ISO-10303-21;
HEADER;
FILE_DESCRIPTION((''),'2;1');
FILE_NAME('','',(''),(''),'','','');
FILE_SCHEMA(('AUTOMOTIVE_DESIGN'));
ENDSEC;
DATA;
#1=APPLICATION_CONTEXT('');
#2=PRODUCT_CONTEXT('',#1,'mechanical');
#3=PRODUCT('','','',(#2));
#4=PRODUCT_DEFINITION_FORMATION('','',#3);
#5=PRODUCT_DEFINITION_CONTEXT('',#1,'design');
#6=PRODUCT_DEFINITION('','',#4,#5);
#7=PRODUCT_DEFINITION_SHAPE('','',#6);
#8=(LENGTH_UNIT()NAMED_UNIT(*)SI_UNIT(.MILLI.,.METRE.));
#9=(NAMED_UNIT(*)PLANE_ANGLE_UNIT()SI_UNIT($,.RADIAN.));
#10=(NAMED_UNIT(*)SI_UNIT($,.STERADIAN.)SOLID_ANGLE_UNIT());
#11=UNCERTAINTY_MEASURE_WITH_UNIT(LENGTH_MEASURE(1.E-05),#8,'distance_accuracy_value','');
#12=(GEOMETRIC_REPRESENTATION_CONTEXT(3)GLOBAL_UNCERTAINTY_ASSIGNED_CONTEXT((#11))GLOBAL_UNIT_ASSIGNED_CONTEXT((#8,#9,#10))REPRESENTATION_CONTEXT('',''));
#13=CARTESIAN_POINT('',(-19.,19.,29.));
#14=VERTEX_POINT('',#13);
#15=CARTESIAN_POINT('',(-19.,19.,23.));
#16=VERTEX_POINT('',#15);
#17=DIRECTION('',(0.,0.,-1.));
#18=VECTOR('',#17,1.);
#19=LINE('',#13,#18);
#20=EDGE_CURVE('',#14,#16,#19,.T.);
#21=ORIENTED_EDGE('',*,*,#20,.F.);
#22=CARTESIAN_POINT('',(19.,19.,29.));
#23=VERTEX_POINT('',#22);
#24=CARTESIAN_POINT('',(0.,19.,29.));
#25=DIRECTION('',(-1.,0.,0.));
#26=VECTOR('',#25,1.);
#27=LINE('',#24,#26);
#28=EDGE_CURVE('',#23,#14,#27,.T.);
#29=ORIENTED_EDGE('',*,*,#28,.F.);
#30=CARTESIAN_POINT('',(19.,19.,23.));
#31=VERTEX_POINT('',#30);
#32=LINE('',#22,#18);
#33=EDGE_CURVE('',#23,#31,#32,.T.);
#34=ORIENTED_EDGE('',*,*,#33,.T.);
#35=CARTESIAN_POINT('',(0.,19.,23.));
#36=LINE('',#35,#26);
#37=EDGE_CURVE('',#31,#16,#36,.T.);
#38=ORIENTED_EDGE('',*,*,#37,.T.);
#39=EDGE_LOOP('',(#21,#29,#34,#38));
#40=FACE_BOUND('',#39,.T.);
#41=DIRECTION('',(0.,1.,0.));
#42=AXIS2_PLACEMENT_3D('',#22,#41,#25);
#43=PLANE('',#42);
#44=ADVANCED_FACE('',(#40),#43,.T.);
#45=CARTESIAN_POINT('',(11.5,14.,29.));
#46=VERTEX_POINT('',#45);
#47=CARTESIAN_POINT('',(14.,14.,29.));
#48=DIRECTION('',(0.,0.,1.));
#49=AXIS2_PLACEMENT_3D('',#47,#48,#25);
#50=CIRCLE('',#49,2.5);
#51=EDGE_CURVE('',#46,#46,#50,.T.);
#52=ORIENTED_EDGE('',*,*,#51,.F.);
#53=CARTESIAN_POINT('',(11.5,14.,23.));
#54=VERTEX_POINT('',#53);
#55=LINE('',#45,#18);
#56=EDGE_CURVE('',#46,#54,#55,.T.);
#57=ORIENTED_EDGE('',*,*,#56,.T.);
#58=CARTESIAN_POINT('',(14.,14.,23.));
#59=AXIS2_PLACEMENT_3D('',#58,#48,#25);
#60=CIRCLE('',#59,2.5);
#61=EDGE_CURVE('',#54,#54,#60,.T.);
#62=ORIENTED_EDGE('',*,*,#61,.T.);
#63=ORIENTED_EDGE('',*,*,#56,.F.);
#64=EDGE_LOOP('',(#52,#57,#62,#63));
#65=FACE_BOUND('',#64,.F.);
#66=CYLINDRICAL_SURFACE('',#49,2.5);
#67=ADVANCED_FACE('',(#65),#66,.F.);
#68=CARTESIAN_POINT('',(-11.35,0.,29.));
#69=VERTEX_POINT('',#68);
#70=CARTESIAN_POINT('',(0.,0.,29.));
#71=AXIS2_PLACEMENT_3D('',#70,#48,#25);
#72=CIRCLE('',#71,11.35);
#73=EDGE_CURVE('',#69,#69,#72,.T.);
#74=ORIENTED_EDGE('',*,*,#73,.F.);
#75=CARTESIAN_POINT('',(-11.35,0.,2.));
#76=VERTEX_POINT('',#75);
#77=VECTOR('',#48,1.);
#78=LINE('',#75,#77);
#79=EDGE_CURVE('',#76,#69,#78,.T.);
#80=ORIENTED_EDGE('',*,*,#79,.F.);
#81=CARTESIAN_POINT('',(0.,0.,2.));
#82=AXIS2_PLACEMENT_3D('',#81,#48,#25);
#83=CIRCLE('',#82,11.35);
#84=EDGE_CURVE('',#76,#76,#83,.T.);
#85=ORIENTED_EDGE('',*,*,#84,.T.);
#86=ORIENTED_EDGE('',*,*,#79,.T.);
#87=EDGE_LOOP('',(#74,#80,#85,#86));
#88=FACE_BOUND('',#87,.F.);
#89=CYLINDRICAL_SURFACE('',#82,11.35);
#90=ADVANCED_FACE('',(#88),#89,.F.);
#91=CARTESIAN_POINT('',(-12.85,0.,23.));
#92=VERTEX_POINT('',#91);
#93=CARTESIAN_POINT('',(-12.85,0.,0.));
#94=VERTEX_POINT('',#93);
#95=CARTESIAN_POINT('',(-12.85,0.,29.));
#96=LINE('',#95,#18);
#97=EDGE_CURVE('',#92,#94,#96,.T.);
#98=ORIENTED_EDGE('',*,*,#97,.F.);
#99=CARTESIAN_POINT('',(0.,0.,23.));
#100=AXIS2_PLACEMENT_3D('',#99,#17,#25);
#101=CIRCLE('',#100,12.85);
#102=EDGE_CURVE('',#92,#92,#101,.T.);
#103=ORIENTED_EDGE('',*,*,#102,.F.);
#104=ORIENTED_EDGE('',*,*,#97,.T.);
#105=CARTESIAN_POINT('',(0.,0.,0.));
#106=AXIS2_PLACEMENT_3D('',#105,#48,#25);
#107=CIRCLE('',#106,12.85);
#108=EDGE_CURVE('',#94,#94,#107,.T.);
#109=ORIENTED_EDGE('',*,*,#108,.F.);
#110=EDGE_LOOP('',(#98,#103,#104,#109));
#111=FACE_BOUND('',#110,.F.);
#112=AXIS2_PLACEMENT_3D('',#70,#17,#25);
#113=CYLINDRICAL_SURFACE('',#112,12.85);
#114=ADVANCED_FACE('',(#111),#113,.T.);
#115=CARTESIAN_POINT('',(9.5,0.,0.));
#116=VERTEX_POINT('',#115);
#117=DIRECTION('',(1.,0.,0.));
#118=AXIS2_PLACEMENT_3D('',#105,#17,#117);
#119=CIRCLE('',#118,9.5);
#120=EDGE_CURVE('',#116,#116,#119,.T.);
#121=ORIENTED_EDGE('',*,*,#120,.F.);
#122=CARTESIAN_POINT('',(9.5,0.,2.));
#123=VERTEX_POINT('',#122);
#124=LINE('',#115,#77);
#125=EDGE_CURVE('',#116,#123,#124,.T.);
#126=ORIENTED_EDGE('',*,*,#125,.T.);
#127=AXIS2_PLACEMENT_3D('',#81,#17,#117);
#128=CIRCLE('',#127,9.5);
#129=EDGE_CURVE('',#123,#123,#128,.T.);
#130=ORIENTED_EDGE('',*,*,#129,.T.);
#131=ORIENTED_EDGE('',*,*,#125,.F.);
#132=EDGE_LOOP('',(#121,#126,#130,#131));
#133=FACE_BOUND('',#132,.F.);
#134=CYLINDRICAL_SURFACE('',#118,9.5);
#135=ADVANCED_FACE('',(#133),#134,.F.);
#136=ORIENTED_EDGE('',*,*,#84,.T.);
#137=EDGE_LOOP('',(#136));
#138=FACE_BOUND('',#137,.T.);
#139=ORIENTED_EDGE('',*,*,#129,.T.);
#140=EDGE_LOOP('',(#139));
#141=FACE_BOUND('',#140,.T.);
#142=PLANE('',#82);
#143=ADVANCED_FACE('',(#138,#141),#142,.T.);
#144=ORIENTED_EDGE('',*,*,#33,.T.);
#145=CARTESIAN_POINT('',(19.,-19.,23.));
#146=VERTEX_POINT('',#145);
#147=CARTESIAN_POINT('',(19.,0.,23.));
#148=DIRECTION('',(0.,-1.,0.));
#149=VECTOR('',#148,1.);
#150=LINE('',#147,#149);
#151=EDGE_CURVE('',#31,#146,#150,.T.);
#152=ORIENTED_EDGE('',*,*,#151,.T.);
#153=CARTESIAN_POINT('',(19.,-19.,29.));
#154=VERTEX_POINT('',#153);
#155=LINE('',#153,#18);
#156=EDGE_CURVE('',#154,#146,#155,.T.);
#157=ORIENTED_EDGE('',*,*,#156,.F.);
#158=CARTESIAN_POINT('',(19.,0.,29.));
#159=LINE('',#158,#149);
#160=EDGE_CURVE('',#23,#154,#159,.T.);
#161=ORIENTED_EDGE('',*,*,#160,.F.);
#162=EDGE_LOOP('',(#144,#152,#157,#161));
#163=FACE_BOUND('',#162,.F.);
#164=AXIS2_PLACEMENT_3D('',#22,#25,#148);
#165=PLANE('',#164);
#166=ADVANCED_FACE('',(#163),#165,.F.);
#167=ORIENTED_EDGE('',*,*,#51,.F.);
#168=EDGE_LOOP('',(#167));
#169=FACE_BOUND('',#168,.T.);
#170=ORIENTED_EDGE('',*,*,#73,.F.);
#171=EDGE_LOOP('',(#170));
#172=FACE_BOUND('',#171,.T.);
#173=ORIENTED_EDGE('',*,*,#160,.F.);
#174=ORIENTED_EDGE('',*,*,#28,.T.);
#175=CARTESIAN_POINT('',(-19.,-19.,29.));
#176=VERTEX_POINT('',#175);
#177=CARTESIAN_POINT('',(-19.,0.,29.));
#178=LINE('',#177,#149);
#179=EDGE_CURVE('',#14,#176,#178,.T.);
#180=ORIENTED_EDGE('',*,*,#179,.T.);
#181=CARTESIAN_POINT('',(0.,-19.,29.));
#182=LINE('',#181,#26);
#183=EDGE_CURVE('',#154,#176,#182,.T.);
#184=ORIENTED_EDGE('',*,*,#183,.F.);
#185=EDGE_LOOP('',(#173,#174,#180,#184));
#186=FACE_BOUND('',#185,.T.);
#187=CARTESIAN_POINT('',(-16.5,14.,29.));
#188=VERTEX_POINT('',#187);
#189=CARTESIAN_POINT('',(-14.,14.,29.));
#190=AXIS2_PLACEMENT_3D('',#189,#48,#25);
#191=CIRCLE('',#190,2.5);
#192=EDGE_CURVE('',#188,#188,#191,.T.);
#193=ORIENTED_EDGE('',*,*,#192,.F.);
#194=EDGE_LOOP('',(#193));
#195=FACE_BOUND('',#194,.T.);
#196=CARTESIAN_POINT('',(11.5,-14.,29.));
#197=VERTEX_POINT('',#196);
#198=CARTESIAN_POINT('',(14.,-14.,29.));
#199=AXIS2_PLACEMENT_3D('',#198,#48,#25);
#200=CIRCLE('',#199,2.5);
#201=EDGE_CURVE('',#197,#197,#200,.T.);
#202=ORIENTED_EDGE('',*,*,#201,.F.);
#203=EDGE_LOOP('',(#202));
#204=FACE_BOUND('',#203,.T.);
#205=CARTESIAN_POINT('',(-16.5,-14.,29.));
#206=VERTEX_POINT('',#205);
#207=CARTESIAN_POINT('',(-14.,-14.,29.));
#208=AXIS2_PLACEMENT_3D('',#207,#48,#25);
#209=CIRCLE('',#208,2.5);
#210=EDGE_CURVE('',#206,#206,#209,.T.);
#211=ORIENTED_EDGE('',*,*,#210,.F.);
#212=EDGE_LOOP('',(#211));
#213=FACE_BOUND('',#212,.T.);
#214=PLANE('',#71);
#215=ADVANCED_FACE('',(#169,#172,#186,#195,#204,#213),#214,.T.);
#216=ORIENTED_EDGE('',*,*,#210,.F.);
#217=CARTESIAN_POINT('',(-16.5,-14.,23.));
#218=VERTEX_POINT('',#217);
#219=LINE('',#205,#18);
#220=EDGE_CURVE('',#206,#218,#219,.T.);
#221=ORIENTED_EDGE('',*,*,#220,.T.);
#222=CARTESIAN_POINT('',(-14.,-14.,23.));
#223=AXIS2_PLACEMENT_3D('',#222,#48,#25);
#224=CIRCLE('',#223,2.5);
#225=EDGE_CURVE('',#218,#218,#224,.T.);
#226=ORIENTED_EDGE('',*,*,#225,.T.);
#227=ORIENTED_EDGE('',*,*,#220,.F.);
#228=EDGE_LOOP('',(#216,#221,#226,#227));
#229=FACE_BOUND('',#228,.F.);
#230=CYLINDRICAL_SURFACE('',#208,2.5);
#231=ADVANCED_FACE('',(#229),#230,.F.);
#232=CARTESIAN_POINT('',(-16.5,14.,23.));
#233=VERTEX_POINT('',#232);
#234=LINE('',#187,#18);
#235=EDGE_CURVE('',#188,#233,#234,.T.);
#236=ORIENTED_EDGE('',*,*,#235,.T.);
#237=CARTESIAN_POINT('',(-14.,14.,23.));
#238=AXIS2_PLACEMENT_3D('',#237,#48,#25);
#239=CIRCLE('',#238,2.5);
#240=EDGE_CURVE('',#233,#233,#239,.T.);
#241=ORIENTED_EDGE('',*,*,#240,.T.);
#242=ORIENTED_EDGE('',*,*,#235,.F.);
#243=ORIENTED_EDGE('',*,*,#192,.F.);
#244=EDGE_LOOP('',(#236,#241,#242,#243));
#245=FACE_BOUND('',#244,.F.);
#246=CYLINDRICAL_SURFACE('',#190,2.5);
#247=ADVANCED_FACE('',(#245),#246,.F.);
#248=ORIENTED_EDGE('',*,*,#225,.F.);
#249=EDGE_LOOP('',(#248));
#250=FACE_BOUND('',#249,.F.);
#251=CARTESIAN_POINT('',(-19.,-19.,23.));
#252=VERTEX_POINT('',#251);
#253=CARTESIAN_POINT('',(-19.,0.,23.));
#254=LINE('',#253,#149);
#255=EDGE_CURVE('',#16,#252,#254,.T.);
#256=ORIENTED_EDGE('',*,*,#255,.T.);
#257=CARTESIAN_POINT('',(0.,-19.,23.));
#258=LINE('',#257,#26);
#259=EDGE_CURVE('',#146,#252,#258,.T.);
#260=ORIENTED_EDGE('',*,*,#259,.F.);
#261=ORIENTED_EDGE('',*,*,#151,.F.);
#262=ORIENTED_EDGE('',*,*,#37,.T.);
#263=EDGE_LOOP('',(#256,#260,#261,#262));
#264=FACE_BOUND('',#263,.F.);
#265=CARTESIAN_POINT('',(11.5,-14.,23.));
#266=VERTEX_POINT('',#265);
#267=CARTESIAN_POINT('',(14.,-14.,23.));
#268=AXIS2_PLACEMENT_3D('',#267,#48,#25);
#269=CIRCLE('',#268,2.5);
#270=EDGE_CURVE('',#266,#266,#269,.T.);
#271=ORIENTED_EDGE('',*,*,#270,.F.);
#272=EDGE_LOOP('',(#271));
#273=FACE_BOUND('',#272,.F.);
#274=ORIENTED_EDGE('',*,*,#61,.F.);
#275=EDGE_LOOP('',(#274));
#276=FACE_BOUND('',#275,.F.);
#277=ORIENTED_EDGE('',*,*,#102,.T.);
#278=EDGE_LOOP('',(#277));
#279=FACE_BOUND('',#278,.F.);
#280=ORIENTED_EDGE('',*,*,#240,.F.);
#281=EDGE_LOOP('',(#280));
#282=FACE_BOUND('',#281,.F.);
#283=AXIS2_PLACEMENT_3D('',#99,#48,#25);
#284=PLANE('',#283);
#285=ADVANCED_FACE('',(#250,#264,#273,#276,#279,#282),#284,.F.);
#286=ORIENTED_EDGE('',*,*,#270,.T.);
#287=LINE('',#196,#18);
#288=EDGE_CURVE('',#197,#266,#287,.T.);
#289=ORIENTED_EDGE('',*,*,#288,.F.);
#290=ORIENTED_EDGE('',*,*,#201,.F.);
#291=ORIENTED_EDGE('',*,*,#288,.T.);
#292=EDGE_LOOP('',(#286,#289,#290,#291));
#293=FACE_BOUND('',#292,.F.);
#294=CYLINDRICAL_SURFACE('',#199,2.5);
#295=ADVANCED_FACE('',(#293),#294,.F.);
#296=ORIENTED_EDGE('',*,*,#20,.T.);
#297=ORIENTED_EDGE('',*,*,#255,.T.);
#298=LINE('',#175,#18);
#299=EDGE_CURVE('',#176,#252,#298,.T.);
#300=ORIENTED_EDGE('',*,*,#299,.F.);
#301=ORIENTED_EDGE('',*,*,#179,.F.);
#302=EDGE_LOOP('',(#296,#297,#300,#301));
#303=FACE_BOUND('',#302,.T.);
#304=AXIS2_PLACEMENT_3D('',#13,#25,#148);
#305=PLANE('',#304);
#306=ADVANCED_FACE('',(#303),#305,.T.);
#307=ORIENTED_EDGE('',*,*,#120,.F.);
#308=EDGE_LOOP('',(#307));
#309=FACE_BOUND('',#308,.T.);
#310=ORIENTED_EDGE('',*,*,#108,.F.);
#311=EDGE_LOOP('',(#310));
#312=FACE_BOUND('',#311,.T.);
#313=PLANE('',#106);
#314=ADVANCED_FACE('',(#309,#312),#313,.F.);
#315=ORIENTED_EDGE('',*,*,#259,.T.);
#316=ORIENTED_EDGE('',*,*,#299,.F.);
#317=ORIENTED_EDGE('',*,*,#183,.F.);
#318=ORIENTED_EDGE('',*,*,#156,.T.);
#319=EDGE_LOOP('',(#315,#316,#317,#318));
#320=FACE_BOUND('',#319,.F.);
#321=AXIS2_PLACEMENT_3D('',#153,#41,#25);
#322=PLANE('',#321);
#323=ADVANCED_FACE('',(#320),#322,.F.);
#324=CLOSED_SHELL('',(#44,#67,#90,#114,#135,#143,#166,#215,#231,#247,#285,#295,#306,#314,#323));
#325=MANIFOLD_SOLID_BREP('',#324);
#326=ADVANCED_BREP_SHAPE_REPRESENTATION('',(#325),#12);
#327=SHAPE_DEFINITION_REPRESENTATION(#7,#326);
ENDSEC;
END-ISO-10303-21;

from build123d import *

# Parameters (mm, degrees)
SKETCH001_R   = 9.5
POCKET_DEPTH  = 2
SKETCH002_W   = 38
SKETCH002_H   = 38
SKETCH002_R   = 11.35
SKETCH002_R_2 = 2.5
PAD_DEPTH     = 6


with BuildPart() as part:
    # Sketch → Revolution (revolve)
    with BuildSketch(Plane.XZ):
        Polygon((-11.35, 27), (-11.35, 2), (0, 2), (0, 0), (-12.85, 0), (-12.85, 27), (-12.85, 29), (-11.35, 29), align=None)
    revolve(axis=Axis((0, 0, 0), (0, 0, 1)))

    # Sketch001 (on Face3 of Revolution) → Pocket (cut)
    with BuildSketch(Plane(origin=(0, 0, 0), x_dir=(1, 0, 0), z_dir=(0, 0, -1))):
        Circle(SKETCH001_R)
    extrude(amount=-POCKET_DEPTH, mode=Mode.SUBTRACT)

    # Sketch002 (on Face4 of Pocket) → Pad (join)
    with BuildSketch(Plane(origin=(0, 0, 29), x_dir=(-1, 0, 0), z_dir=(0, 0, 1))):
        Rectangle(SKETCH002_W, SKETCH002_H)
        Circle(SKETCH002_R, mode=Mode.SUBTRACT)
        with Locations((-14, 14)):
            Circle(SKETCH002_R_2, mode=Mode.SUBTRACT)
        with Locations((14, 14)):
            Circle(SKETCH002_R_2, mode=Mode.SUBTRACT)
        with Locations((14, -14)):
            Circle(SKETCH002_R_2, mode=Mode.SUBTRACT)
        with Locations((-14, -14)):
            Circle(SKETCH002_R_2, mode=Mode.SUBTRACT)
    extrude(amount=-PAD_DEPTH)


solid = part.part
